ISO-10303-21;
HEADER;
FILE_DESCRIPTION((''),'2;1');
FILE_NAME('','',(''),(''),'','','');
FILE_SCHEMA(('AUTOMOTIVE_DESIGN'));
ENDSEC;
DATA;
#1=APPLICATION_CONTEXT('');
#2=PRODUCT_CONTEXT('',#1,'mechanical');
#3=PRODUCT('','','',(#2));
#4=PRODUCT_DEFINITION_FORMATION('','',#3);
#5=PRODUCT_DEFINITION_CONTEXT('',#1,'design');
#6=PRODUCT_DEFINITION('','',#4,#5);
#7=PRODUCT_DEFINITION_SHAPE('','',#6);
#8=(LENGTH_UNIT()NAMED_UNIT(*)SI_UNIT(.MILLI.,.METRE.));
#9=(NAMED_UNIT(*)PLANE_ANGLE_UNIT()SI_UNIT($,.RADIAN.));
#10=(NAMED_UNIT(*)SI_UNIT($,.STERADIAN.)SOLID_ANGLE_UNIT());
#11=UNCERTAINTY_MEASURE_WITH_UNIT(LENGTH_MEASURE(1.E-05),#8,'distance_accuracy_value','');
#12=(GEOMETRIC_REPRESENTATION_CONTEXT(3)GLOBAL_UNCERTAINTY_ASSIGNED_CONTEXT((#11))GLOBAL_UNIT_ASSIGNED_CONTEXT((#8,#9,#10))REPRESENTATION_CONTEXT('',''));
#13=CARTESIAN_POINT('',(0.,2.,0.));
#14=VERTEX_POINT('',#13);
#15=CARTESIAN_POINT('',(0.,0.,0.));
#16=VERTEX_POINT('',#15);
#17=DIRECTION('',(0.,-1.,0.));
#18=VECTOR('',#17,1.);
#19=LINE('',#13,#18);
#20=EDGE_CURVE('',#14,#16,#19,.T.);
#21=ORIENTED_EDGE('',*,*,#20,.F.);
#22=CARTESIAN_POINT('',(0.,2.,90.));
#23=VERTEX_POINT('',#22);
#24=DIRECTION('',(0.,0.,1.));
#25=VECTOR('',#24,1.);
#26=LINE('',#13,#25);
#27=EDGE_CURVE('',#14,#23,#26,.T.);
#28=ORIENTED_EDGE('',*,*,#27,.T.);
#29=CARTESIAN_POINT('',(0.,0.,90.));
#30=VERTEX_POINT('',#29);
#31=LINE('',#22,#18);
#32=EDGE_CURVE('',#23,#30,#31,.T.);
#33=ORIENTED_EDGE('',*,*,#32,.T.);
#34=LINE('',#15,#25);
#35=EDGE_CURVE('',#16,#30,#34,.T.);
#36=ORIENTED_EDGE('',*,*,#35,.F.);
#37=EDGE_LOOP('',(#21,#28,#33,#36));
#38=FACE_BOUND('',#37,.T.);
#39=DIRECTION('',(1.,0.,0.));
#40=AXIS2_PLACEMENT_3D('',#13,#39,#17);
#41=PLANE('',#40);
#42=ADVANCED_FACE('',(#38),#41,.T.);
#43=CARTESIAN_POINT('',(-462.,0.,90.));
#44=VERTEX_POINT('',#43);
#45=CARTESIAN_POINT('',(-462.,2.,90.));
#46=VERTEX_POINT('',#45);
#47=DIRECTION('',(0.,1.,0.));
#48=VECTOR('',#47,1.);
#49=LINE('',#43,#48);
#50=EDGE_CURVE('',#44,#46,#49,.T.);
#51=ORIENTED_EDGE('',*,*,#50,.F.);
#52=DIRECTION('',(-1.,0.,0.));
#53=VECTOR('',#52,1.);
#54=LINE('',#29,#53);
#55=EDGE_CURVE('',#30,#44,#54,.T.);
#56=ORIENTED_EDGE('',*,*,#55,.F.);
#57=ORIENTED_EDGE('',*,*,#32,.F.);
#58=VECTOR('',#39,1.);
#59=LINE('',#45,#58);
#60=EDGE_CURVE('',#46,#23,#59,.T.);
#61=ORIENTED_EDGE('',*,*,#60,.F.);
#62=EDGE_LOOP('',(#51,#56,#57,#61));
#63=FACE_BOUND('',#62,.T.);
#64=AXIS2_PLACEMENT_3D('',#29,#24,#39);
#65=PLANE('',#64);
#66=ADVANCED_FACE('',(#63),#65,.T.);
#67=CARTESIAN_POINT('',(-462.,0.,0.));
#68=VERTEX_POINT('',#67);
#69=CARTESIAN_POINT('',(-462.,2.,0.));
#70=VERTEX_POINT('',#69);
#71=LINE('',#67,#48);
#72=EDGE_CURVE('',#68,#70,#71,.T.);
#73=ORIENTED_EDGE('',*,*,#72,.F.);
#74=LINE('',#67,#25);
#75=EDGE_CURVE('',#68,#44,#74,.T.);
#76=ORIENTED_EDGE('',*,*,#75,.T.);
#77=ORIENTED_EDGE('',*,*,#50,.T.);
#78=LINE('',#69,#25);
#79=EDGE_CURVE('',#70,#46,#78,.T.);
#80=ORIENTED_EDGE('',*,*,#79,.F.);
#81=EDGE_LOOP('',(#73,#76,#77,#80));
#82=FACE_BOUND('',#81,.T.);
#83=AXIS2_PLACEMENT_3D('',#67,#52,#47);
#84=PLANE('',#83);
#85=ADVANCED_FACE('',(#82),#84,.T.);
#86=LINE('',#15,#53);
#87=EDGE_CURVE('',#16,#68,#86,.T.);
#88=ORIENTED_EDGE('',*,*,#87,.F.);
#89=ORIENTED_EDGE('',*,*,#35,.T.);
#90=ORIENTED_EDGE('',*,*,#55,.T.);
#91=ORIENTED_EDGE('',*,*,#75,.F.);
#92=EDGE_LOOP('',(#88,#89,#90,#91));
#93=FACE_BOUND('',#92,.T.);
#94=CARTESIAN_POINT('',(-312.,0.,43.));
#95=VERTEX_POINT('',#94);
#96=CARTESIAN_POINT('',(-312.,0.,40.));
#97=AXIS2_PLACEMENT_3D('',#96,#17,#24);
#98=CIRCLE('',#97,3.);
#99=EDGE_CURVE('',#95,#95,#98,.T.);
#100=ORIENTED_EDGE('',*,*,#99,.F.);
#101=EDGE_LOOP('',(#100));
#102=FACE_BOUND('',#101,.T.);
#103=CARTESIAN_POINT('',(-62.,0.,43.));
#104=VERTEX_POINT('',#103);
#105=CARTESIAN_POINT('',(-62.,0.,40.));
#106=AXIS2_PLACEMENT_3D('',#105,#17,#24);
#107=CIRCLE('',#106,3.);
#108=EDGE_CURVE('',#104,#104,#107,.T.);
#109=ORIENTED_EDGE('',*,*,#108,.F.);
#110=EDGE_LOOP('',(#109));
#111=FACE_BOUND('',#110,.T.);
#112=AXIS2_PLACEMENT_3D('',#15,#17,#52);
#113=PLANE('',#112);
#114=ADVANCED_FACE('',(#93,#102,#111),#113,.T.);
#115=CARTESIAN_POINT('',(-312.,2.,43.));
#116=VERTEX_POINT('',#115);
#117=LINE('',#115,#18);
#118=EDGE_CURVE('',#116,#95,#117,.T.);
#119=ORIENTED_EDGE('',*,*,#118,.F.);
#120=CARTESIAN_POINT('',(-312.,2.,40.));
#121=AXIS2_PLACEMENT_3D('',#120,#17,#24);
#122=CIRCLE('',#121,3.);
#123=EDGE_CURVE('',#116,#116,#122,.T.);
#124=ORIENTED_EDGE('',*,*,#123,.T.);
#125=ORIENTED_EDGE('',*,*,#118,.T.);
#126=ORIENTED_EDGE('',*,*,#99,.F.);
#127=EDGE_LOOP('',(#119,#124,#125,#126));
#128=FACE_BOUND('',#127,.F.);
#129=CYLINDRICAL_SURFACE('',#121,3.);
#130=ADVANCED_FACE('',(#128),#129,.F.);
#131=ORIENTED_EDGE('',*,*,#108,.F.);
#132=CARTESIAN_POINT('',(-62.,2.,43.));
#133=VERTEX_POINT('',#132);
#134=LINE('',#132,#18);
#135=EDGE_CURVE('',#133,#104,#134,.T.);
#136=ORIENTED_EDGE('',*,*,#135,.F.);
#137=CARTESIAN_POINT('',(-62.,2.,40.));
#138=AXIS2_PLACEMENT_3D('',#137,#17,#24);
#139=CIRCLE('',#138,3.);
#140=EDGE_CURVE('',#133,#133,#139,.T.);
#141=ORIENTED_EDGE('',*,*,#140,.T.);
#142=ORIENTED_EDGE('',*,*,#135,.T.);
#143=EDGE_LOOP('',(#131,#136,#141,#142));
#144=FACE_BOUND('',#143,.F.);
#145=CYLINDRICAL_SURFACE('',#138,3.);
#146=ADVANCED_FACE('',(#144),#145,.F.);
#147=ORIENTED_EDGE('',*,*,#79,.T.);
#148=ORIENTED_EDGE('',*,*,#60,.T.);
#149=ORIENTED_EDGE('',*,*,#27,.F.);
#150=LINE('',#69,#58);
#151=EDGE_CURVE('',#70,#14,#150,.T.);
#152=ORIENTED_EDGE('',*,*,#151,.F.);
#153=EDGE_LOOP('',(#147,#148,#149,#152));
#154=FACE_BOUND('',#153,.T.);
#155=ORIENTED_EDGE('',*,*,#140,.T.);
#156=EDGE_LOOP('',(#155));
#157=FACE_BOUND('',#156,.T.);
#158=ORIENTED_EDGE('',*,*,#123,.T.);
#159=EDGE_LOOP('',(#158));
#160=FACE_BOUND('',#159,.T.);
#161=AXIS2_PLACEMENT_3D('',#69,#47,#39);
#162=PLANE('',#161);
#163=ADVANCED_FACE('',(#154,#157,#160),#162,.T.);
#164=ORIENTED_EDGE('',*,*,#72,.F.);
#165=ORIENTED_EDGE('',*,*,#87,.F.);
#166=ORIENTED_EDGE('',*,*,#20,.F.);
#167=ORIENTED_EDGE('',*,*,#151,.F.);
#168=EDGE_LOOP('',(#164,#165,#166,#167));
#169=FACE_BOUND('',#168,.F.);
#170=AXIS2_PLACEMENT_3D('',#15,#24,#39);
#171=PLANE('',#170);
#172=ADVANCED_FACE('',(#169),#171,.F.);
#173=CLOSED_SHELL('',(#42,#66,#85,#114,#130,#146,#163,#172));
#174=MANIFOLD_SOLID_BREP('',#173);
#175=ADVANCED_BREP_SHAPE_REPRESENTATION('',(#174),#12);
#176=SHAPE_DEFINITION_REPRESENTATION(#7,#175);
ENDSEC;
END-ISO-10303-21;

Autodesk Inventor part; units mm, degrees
ref_plane "YZ Plane" through (0, 0, 0) normal (1, 0, 0) x (0, 1, 0)
ref_plane "XZ Plane" through (0, 0, 0) normal (0, 1, 0) x (-1, 0, 0)
ref_plane "XY Plane" through (0, 0, 0) normal (0, 0, 1) x (1, 0, 0)
sketch "Sketch1" plane through (0, 0, 0) normal (0, 0, 1) x (1, 0, 0)
  line L0 (0, 0) -> (-462, 0)
  line L1 (-462, 0) -> (-462, 2)
  line L2 (-462, 2) -> (0, 2)
  line L3 (0, 2) -> (0, 0)
  dimension "d0" = 462
  dimension "d1" = 2
extrude "Extrusion1" add sketch "Sketch1" along normal blind 90
hole "Hole1" at (-312, 2, 40) direction (0, -1, 0) diameter 6 end through all
hole "Hole2" at (-62, 2, 40) direction (0, -1, 0) diameter 6 end through all
properties part number "Seitenteil_Einbau" material "PVC, Unplasticized"
